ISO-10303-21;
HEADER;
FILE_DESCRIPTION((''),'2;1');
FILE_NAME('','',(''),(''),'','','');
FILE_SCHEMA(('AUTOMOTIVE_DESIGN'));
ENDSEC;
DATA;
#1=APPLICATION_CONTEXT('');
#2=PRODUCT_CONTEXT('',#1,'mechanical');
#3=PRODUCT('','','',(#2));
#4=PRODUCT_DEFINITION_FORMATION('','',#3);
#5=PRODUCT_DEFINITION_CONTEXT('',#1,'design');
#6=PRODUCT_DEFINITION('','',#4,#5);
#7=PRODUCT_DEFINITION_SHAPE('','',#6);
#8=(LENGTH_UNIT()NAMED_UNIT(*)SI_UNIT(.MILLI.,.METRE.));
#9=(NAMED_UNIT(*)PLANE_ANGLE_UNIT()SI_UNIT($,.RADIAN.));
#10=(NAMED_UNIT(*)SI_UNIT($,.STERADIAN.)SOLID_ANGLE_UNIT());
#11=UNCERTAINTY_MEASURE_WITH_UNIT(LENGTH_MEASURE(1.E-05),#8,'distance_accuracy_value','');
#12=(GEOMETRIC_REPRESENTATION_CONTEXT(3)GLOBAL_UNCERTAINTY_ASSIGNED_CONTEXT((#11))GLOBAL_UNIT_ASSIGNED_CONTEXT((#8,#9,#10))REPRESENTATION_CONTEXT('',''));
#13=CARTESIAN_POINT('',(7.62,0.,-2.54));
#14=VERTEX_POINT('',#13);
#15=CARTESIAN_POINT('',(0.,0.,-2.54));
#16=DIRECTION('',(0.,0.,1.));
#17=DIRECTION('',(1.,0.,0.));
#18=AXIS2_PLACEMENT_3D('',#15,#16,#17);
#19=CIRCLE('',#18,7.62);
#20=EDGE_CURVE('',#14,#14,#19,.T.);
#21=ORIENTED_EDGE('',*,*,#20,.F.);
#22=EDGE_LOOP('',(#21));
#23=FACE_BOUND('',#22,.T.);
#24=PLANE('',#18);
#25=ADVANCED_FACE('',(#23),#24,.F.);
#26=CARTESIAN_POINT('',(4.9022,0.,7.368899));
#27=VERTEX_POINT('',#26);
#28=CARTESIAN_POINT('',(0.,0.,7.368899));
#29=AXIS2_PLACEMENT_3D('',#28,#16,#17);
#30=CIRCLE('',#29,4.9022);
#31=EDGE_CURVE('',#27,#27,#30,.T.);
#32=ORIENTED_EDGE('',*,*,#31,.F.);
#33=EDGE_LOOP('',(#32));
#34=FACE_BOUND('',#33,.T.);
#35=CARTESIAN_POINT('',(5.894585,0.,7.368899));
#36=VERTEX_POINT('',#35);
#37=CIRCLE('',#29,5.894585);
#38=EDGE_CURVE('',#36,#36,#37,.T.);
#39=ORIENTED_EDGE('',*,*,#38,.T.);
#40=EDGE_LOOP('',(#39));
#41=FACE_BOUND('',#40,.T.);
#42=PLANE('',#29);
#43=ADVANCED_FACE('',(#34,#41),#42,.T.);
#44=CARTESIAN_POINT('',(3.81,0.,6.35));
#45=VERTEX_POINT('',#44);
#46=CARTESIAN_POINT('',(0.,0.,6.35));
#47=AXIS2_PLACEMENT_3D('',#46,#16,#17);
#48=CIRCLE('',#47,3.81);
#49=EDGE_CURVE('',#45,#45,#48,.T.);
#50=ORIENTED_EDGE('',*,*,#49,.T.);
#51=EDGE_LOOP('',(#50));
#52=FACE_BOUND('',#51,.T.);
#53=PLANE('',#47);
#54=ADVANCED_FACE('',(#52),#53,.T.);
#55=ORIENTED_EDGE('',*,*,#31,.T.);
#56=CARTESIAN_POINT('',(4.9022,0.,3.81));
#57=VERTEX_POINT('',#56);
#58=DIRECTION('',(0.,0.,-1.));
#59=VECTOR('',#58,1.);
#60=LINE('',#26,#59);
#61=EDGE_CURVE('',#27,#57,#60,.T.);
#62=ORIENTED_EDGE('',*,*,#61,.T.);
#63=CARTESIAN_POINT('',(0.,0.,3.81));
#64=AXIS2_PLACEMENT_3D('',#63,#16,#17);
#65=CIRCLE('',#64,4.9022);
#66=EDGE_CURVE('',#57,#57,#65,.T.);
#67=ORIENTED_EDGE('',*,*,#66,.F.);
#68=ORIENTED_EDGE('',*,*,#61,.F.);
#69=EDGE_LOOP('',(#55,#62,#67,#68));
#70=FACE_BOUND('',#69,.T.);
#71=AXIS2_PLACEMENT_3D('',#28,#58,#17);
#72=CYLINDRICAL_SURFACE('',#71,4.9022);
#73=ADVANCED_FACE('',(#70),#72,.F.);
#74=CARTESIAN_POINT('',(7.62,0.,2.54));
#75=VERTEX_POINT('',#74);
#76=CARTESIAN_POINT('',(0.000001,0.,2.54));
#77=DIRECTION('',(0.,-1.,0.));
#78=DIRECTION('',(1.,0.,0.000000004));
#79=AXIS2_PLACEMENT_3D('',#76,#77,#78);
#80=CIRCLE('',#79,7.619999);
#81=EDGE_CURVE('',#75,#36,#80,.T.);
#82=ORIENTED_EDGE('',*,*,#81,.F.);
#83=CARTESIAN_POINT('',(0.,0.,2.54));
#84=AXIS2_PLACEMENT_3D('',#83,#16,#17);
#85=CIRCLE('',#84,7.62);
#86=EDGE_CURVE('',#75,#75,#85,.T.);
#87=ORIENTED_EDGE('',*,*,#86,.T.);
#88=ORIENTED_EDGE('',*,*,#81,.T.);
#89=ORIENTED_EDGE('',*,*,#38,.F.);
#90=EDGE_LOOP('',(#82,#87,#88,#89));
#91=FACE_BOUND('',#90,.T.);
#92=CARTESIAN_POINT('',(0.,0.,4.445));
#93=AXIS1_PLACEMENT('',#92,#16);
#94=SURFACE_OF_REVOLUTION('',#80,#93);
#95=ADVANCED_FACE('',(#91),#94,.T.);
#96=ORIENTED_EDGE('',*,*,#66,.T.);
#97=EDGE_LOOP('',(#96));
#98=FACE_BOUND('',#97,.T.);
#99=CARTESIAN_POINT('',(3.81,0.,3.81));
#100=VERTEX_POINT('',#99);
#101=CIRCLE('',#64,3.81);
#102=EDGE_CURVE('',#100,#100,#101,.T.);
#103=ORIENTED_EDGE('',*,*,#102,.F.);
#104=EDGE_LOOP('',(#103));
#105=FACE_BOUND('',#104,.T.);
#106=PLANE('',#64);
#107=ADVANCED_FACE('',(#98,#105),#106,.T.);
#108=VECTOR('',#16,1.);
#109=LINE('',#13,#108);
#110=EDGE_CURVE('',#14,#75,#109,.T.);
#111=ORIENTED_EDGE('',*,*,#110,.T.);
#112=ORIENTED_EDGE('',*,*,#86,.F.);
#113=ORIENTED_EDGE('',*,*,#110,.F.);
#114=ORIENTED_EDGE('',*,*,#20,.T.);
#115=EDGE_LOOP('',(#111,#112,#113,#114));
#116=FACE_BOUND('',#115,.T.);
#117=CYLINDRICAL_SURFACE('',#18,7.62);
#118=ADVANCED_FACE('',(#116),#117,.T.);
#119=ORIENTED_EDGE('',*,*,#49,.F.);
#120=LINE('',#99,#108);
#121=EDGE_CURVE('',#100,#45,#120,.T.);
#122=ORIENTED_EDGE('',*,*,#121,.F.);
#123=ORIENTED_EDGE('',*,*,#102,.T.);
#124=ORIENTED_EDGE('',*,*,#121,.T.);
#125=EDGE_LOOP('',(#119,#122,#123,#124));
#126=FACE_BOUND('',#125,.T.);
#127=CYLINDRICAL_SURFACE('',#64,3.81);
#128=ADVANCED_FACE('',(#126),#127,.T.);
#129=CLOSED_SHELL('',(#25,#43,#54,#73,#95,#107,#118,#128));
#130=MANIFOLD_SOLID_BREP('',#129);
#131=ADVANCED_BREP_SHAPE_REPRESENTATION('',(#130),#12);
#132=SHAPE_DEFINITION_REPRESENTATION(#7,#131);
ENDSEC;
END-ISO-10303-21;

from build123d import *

# Parameters (mm, degrees)
F0_W = 7.62
F0_H = 2.54


with BuildPart() as f1:
    # F0 (on Front) → F1 (revolve)
    with BuildSketch(Plane.XZ):
        with BuildLine():
            Line((0, 2.54), (0, 0))
            Line((0, 0), (7.62, 0))
            Line((7.62, 0), (7.62, 2.54))
            ThreePointArc((7.62, 2.54), (7.175693, 5.103948), (5.894585, 7.368899))
            Line((5.894585, 7.368899), (4.9022, 7.368899))
            Line((4.9022, 7.368899), (4.9022, 3.81))
            Line((4.9022, 3.81), (3.81, 3.81))
            Line((3.81, 3.81), (3.81, 6.35))
            Line((3.81, 6.35), (0, 6.35))
            Line((0, 6.35), (0, 2.54))
        make_face()
        with Locations((3.81, -1.27)):
            Rectangle(F0_W, F0_H)
    revolve(axis=Axis((0, 0, 4.445), (0, 0, 1)))


with BuildPart() as f2_1:
    # F2: copy of F1
    add(f1.part.moved(Location((25.4, 0, 0))))


with BuildPart() as f3_1:
    # F3: copy of F1
    add(f1.part.moved(Location((0, 25.4, 0))))


with BuildPart() as f4_1:
    # F4: copy of F1
    add(f1.part.moved(Location((0, -25.4, 0))))


with BuildPart() as f5_1:
    # F5: copy of F1
    add(f1.part.moved(Location((-25.4, 0, 0))))


with BuildPart() as f6_1:
    # F6: copy of F2_1
    add(f2_1.part.moved(Location((0, 25.4, 0))))


with BuildPart() as f7_1:
    # F7: copy of F2_1
    add(f2_1.part.moved(Location((0, -25.4, 0))))


with BuildPart() as f8_1:
    # F8: copy of F5_1
    add(f5_1.part.moved(Location((0, -25.4, 0))))


with BuildPart() as f9_1:
    # F9: copy of F5_1
    add(f5_1.part.moved(Location((0, 25.4, 0))))


with BuildPart() as f10_1:
    # F10: copy of F5_1
    add(f5_1.part.moved(Location((-25.4, 0, 0))))


with BuildPart() as f11_1:
    # F11: copy of F2_1
    add(f2_1.part.moved(Location((25.4, 0, 0))))


solid = f1.part
